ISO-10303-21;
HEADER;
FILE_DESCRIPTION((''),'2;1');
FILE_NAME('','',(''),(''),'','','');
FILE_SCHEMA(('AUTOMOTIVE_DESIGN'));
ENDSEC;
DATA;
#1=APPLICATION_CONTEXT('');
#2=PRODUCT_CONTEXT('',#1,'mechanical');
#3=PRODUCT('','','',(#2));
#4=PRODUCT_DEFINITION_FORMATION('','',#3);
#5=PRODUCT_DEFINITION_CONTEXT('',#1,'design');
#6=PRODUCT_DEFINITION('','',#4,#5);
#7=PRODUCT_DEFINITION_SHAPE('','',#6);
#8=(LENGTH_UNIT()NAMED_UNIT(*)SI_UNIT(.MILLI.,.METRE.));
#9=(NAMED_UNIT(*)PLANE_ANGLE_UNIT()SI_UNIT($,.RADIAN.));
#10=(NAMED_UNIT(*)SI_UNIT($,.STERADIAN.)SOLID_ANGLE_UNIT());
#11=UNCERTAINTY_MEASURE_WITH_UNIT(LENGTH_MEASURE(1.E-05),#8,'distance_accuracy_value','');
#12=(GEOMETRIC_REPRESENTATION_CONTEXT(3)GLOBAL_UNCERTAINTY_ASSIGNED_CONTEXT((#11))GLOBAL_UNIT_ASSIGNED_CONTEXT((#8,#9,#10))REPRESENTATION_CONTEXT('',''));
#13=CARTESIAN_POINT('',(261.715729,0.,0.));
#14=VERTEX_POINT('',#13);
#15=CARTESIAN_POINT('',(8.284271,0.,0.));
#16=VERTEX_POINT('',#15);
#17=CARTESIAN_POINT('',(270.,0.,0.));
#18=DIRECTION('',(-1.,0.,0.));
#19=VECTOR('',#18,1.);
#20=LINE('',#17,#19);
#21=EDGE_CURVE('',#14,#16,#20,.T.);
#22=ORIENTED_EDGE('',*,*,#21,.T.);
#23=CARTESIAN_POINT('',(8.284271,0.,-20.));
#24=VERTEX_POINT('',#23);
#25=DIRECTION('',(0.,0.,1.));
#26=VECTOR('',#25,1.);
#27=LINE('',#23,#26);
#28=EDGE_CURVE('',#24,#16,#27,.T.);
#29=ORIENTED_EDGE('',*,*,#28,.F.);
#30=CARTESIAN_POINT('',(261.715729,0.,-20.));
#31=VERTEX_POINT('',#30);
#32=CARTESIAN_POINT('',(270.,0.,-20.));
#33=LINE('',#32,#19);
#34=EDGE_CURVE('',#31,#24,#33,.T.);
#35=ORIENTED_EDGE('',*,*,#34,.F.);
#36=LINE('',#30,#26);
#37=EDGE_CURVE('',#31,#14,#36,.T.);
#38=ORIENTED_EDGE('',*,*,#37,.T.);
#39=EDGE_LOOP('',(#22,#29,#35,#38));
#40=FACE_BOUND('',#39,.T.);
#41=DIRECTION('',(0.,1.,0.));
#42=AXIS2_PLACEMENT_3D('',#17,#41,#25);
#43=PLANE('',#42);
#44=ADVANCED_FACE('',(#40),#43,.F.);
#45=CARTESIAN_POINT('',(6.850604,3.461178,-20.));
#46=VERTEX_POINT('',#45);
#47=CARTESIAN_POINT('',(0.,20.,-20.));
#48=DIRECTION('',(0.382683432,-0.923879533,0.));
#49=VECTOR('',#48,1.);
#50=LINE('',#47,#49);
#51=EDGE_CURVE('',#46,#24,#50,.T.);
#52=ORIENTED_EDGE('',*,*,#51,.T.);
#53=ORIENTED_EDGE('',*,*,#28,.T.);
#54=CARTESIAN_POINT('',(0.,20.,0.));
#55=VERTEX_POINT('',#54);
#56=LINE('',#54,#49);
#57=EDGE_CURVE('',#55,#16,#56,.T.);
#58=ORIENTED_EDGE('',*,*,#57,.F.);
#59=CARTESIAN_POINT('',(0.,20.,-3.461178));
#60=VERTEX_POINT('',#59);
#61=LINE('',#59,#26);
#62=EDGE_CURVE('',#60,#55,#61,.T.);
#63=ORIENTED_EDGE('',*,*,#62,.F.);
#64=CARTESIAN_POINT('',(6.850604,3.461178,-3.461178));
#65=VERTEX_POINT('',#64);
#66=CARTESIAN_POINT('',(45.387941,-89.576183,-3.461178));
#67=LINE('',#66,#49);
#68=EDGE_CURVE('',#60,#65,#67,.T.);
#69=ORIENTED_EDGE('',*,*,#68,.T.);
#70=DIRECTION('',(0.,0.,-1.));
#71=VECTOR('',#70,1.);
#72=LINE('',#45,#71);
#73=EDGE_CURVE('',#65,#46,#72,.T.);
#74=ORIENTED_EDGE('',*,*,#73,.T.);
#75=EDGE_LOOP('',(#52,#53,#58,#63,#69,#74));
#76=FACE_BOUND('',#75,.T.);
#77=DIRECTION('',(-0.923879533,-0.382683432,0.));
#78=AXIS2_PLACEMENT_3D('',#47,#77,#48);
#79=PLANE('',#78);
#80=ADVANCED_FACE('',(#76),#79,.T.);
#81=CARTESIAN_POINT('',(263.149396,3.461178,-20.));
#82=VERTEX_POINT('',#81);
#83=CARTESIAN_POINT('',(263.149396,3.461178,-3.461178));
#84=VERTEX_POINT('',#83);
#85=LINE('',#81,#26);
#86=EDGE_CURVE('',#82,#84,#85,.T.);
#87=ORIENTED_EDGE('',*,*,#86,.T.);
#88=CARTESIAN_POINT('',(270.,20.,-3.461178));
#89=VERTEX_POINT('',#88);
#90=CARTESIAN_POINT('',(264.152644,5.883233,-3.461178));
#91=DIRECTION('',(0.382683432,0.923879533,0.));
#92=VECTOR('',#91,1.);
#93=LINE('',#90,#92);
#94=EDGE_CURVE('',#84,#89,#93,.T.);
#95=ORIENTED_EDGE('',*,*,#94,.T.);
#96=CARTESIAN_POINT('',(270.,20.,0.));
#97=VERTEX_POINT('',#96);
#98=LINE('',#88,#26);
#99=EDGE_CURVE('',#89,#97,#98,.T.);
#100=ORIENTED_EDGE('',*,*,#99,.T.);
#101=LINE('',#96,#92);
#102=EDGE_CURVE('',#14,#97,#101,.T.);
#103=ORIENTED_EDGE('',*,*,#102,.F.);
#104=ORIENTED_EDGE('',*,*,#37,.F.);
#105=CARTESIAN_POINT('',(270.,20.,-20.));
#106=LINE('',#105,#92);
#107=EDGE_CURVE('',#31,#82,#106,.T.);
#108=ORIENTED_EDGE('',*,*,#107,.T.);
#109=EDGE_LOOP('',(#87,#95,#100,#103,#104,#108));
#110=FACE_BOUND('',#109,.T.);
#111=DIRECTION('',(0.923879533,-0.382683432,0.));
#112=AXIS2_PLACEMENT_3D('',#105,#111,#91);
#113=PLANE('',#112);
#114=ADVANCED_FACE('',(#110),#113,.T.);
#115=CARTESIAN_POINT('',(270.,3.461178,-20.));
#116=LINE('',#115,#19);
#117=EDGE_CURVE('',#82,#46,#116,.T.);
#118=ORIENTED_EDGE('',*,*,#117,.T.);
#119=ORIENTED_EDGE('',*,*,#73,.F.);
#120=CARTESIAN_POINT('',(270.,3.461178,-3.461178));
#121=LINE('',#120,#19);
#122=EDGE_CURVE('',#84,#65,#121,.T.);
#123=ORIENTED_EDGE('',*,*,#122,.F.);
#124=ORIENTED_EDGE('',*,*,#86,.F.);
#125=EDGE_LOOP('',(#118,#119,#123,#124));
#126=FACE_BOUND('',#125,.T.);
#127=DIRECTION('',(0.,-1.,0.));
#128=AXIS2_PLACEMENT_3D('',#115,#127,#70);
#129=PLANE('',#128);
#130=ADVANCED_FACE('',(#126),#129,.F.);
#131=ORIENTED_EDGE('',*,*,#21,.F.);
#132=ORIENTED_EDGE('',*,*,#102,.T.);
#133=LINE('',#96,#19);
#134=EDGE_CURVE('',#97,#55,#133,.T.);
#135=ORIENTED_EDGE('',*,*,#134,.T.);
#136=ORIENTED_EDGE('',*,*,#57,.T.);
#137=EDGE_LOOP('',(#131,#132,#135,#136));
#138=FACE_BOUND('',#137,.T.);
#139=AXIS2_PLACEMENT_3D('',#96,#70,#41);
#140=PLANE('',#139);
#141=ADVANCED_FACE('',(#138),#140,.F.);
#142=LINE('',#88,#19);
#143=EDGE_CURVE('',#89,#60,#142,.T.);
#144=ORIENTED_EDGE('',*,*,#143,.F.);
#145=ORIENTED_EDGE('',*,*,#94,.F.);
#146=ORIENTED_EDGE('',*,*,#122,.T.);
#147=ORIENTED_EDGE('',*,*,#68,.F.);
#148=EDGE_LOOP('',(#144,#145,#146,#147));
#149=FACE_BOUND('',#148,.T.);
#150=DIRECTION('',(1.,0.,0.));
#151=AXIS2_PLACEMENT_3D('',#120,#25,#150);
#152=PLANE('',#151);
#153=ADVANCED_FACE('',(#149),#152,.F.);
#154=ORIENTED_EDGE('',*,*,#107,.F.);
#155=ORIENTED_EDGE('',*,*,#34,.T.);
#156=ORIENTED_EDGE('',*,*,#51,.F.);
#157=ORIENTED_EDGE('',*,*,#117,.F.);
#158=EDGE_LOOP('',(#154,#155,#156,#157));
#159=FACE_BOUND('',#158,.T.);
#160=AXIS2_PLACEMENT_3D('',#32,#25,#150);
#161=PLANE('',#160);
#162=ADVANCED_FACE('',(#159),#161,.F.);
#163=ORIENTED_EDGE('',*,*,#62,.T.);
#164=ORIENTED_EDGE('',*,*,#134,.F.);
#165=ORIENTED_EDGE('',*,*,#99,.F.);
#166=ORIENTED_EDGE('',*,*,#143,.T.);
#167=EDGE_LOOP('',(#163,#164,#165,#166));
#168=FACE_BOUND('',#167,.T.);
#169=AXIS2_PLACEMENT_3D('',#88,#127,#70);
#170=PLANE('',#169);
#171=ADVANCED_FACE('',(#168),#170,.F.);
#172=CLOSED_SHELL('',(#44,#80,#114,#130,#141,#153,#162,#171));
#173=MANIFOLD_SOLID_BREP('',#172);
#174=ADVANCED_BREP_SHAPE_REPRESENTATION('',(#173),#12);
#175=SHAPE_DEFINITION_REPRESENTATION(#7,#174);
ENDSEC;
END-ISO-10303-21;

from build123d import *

# Parameters (mm, degrees)
BOSS_EXTRUDE1_DEPTH = 270
CUT_EXTRUDE1_DEPTH  = 272.47743921


with BuildPart() as part:
    # Sketch1 → Boss-Extrude1 (new body)
    with BuildSketch(Plane(origin=(0, 0, 0), x_dir=(0, 0, -1), z_dir=(1, 0, 0))):
        Polygon((0, 0), (20, 0), (20, 3.461178467), (3.461178467, 3.461178467), (3.461178467, 20), (0, 20), align=None)
    extrude(amount=BOSS_EXTRUDE1_DEPTH)

    # Sketch2 → Cut-Extrude1 (cut, through all)
    with BuildSketch(Plane(origin=(0, 0, 0), x_dir=(1, 0, 0), z_dir=(0, 0, -1))):
        Polygon((270, -20), (270, 0), (261.715728753, 0), align=None)
        Polygon((0, -20), (0, 0), (8.284271247, 0), align=None)
    extrude(amount=CUT_EXTRUDE1_DEPTH, mode=Mode.SUBTRACT)


solid = part.part
